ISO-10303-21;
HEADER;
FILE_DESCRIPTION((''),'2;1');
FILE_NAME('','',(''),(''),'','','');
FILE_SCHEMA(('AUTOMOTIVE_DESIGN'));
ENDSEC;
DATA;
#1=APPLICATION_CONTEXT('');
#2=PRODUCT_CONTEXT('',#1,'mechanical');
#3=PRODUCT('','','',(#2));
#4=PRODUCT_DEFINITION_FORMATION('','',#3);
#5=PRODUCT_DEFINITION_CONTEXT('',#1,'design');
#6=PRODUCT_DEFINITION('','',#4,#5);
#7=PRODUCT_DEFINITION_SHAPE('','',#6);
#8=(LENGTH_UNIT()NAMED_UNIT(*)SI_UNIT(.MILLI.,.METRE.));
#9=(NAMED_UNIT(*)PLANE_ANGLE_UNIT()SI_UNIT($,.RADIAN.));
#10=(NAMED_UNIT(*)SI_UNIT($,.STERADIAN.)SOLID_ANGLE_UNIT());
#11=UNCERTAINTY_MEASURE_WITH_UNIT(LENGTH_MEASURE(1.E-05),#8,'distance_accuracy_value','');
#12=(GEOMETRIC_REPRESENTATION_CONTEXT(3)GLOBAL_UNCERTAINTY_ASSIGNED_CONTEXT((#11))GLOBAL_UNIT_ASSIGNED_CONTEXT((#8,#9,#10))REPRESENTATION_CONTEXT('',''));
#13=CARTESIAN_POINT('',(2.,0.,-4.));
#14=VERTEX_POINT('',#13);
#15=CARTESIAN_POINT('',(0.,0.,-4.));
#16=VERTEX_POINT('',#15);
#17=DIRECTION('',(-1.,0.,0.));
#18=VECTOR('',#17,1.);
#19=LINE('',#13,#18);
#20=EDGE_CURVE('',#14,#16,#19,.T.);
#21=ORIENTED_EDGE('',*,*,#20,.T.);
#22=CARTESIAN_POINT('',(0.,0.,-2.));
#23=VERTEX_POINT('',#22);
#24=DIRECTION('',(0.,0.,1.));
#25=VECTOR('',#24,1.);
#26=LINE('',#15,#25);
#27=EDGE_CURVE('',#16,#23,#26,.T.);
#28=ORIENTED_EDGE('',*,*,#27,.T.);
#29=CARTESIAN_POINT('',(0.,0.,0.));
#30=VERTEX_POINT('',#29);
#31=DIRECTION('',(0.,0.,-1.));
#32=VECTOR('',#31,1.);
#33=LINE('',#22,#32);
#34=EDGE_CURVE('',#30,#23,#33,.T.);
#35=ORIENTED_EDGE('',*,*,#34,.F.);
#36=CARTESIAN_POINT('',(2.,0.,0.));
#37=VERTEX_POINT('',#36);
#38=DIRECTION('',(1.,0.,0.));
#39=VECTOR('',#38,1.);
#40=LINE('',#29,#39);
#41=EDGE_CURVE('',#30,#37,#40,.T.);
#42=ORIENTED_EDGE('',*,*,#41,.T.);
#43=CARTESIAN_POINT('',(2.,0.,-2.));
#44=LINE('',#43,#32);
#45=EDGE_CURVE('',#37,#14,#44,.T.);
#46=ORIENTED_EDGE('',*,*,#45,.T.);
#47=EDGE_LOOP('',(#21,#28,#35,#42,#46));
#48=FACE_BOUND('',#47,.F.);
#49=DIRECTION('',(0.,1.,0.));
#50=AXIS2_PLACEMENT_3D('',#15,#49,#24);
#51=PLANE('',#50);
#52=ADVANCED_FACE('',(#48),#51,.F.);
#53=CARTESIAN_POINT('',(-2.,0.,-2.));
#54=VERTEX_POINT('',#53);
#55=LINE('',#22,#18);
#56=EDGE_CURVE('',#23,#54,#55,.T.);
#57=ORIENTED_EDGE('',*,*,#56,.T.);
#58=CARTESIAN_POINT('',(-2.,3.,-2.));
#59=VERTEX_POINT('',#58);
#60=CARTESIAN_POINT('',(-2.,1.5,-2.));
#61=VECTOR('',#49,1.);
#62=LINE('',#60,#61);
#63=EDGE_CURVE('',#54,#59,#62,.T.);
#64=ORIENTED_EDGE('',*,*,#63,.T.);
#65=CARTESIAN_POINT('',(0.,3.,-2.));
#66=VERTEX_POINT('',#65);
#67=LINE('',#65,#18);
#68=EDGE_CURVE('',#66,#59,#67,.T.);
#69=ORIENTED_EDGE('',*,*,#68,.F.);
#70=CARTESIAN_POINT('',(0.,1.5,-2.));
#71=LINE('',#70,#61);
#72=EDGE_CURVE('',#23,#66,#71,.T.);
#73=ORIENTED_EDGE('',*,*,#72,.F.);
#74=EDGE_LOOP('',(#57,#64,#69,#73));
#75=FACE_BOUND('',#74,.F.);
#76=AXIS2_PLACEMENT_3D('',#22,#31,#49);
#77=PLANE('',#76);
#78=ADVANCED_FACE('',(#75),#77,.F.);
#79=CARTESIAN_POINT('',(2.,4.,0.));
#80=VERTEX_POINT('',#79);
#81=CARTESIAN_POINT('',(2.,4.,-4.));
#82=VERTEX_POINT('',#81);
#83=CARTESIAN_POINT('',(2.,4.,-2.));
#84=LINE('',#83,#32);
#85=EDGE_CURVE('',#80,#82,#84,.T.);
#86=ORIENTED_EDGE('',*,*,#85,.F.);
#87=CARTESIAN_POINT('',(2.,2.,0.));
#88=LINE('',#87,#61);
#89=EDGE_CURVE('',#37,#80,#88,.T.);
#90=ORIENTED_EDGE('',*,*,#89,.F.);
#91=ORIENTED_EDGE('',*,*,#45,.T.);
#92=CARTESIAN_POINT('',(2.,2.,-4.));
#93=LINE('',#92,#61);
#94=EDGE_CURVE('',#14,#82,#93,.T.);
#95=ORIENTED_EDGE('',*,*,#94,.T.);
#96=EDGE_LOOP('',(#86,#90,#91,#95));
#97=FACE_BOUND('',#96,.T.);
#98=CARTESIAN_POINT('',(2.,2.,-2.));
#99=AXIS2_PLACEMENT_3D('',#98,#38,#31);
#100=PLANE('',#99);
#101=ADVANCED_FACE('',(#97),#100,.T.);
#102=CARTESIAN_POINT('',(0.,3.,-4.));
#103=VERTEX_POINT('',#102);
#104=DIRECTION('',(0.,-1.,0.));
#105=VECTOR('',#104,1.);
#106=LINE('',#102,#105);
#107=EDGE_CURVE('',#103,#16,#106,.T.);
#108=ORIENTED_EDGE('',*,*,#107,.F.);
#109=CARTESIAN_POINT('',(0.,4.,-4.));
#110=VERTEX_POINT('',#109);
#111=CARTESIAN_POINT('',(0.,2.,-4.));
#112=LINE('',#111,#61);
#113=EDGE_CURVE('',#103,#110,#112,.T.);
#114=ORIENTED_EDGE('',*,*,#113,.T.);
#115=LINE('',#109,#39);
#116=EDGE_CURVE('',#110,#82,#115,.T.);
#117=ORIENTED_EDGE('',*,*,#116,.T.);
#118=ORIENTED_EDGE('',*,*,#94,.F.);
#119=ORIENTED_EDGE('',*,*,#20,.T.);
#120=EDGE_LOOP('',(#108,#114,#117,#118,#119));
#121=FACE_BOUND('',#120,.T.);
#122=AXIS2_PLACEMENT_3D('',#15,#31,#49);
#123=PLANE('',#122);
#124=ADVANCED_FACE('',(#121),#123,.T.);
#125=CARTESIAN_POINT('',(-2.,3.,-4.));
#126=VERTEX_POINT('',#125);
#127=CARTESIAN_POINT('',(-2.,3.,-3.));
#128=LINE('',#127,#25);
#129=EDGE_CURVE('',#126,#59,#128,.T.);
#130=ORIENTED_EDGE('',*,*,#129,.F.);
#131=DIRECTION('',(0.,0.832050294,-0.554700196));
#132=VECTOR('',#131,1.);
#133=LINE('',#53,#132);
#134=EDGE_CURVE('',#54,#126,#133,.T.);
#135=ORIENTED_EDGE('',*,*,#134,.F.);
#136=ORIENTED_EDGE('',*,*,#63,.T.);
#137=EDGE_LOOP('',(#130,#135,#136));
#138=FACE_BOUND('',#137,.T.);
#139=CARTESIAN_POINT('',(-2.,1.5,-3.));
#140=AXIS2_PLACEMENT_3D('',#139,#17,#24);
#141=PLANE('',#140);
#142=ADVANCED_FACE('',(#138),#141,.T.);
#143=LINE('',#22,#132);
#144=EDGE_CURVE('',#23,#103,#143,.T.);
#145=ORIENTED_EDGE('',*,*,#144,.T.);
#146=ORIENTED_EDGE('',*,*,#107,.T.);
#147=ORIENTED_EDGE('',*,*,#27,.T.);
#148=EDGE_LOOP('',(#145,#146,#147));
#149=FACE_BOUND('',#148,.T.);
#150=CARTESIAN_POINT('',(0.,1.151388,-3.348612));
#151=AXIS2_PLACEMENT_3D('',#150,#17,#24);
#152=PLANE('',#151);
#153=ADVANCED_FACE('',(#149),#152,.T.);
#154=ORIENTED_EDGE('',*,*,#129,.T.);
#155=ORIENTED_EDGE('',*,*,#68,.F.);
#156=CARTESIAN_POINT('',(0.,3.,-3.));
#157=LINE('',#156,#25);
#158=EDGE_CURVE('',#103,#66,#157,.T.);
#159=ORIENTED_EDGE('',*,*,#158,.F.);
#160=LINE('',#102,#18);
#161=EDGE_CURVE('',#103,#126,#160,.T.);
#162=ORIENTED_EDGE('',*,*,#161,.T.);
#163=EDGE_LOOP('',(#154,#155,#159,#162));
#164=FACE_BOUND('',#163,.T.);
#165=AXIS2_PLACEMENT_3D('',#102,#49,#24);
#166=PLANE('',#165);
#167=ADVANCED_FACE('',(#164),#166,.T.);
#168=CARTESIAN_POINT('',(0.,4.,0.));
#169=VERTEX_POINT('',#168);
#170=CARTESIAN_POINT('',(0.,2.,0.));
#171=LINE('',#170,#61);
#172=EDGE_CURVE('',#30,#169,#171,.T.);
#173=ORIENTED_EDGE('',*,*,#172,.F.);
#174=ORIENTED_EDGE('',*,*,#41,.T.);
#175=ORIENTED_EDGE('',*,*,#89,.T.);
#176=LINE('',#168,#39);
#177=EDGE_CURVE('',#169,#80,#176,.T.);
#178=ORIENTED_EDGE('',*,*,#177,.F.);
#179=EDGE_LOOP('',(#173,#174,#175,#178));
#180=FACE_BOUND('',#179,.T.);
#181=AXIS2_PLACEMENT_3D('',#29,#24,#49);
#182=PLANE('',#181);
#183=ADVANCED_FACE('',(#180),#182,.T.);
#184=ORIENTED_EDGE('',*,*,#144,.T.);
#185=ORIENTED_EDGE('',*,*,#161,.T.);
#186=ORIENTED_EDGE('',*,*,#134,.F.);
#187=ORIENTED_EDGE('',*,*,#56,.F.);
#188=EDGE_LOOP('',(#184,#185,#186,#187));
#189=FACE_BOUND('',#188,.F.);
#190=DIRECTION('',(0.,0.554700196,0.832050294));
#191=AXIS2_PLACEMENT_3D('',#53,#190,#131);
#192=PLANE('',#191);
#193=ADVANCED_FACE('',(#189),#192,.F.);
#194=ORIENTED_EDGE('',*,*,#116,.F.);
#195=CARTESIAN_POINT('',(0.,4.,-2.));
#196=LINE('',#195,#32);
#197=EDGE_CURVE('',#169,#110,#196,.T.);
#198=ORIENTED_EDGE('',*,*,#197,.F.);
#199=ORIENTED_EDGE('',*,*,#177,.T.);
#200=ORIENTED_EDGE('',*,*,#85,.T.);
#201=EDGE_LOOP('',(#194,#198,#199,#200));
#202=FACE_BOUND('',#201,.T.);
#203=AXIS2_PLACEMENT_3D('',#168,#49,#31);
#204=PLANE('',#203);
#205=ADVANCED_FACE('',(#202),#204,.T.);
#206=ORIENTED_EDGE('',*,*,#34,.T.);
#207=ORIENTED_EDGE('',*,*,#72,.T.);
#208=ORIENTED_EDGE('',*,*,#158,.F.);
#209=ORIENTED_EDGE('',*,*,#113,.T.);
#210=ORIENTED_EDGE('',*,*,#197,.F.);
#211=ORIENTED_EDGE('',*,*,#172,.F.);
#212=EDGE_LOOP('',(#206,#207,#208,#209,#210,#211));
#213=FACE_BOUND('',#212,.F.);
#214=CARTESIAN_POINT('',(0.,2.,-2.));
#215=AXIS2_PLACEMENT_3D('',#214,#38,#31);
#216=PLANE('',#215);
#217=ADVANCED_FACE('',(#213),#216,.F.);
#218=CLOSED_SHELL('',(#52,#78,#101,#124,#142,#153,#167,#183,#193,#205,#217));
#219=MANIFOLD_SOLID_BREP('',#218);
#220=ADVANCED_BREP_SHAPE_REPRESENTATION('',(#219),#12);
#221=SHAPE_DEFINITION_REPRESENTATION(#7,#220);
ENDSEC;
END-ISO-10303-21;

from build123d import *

# Parameters (mm, degrees)
SKETCH1_W           = 4
SKETCH1_H           = 4
BOSS_EXTRUDE1_DEPTH = 2
SKETCH2_W           = 2
SKETCH2_H           = 3
BOSS_EXTRUDE2_DEPTH = 2
CUT_EXTRUDE1_DEPTH  = 2


with BuildPart() as part:
    # Sketch1 → Boss-Extrude1 (new body)
    with BuildSketch(Plane(origin=(0, 0, 0), x_dir=(0, 0, -1), z_dir=(1, 0, 0))):
        with Locations((2, 2)):
            Rectangle(SKETCH1_W, SKETCH1_H)
    extrude(amount=BOSS_EXTRUDE1_DEPTH)

    # Sketch2 → Boss-Extrude2 (add)
    with BuildSketch(Plane.ZY):
        with Locations((-3, 1.5)):
            Rectangle(SKETCH2_W, SKETCH2_H)
    extrude(amount=BOSS_EXTRUDE2_DEPTH)

    # Sketch3 → Cut-Extrude1 (cut)
    with BuildSketch(Plane.ZY.offset(2)):
        Polygon((-2, 0), (-4, 3), (-4, 0), align=None)
    extrude(amount=-CUT_EXTRUDE1_DEPTH, mode=Mode.SUBTRACT)


solid = part.part
